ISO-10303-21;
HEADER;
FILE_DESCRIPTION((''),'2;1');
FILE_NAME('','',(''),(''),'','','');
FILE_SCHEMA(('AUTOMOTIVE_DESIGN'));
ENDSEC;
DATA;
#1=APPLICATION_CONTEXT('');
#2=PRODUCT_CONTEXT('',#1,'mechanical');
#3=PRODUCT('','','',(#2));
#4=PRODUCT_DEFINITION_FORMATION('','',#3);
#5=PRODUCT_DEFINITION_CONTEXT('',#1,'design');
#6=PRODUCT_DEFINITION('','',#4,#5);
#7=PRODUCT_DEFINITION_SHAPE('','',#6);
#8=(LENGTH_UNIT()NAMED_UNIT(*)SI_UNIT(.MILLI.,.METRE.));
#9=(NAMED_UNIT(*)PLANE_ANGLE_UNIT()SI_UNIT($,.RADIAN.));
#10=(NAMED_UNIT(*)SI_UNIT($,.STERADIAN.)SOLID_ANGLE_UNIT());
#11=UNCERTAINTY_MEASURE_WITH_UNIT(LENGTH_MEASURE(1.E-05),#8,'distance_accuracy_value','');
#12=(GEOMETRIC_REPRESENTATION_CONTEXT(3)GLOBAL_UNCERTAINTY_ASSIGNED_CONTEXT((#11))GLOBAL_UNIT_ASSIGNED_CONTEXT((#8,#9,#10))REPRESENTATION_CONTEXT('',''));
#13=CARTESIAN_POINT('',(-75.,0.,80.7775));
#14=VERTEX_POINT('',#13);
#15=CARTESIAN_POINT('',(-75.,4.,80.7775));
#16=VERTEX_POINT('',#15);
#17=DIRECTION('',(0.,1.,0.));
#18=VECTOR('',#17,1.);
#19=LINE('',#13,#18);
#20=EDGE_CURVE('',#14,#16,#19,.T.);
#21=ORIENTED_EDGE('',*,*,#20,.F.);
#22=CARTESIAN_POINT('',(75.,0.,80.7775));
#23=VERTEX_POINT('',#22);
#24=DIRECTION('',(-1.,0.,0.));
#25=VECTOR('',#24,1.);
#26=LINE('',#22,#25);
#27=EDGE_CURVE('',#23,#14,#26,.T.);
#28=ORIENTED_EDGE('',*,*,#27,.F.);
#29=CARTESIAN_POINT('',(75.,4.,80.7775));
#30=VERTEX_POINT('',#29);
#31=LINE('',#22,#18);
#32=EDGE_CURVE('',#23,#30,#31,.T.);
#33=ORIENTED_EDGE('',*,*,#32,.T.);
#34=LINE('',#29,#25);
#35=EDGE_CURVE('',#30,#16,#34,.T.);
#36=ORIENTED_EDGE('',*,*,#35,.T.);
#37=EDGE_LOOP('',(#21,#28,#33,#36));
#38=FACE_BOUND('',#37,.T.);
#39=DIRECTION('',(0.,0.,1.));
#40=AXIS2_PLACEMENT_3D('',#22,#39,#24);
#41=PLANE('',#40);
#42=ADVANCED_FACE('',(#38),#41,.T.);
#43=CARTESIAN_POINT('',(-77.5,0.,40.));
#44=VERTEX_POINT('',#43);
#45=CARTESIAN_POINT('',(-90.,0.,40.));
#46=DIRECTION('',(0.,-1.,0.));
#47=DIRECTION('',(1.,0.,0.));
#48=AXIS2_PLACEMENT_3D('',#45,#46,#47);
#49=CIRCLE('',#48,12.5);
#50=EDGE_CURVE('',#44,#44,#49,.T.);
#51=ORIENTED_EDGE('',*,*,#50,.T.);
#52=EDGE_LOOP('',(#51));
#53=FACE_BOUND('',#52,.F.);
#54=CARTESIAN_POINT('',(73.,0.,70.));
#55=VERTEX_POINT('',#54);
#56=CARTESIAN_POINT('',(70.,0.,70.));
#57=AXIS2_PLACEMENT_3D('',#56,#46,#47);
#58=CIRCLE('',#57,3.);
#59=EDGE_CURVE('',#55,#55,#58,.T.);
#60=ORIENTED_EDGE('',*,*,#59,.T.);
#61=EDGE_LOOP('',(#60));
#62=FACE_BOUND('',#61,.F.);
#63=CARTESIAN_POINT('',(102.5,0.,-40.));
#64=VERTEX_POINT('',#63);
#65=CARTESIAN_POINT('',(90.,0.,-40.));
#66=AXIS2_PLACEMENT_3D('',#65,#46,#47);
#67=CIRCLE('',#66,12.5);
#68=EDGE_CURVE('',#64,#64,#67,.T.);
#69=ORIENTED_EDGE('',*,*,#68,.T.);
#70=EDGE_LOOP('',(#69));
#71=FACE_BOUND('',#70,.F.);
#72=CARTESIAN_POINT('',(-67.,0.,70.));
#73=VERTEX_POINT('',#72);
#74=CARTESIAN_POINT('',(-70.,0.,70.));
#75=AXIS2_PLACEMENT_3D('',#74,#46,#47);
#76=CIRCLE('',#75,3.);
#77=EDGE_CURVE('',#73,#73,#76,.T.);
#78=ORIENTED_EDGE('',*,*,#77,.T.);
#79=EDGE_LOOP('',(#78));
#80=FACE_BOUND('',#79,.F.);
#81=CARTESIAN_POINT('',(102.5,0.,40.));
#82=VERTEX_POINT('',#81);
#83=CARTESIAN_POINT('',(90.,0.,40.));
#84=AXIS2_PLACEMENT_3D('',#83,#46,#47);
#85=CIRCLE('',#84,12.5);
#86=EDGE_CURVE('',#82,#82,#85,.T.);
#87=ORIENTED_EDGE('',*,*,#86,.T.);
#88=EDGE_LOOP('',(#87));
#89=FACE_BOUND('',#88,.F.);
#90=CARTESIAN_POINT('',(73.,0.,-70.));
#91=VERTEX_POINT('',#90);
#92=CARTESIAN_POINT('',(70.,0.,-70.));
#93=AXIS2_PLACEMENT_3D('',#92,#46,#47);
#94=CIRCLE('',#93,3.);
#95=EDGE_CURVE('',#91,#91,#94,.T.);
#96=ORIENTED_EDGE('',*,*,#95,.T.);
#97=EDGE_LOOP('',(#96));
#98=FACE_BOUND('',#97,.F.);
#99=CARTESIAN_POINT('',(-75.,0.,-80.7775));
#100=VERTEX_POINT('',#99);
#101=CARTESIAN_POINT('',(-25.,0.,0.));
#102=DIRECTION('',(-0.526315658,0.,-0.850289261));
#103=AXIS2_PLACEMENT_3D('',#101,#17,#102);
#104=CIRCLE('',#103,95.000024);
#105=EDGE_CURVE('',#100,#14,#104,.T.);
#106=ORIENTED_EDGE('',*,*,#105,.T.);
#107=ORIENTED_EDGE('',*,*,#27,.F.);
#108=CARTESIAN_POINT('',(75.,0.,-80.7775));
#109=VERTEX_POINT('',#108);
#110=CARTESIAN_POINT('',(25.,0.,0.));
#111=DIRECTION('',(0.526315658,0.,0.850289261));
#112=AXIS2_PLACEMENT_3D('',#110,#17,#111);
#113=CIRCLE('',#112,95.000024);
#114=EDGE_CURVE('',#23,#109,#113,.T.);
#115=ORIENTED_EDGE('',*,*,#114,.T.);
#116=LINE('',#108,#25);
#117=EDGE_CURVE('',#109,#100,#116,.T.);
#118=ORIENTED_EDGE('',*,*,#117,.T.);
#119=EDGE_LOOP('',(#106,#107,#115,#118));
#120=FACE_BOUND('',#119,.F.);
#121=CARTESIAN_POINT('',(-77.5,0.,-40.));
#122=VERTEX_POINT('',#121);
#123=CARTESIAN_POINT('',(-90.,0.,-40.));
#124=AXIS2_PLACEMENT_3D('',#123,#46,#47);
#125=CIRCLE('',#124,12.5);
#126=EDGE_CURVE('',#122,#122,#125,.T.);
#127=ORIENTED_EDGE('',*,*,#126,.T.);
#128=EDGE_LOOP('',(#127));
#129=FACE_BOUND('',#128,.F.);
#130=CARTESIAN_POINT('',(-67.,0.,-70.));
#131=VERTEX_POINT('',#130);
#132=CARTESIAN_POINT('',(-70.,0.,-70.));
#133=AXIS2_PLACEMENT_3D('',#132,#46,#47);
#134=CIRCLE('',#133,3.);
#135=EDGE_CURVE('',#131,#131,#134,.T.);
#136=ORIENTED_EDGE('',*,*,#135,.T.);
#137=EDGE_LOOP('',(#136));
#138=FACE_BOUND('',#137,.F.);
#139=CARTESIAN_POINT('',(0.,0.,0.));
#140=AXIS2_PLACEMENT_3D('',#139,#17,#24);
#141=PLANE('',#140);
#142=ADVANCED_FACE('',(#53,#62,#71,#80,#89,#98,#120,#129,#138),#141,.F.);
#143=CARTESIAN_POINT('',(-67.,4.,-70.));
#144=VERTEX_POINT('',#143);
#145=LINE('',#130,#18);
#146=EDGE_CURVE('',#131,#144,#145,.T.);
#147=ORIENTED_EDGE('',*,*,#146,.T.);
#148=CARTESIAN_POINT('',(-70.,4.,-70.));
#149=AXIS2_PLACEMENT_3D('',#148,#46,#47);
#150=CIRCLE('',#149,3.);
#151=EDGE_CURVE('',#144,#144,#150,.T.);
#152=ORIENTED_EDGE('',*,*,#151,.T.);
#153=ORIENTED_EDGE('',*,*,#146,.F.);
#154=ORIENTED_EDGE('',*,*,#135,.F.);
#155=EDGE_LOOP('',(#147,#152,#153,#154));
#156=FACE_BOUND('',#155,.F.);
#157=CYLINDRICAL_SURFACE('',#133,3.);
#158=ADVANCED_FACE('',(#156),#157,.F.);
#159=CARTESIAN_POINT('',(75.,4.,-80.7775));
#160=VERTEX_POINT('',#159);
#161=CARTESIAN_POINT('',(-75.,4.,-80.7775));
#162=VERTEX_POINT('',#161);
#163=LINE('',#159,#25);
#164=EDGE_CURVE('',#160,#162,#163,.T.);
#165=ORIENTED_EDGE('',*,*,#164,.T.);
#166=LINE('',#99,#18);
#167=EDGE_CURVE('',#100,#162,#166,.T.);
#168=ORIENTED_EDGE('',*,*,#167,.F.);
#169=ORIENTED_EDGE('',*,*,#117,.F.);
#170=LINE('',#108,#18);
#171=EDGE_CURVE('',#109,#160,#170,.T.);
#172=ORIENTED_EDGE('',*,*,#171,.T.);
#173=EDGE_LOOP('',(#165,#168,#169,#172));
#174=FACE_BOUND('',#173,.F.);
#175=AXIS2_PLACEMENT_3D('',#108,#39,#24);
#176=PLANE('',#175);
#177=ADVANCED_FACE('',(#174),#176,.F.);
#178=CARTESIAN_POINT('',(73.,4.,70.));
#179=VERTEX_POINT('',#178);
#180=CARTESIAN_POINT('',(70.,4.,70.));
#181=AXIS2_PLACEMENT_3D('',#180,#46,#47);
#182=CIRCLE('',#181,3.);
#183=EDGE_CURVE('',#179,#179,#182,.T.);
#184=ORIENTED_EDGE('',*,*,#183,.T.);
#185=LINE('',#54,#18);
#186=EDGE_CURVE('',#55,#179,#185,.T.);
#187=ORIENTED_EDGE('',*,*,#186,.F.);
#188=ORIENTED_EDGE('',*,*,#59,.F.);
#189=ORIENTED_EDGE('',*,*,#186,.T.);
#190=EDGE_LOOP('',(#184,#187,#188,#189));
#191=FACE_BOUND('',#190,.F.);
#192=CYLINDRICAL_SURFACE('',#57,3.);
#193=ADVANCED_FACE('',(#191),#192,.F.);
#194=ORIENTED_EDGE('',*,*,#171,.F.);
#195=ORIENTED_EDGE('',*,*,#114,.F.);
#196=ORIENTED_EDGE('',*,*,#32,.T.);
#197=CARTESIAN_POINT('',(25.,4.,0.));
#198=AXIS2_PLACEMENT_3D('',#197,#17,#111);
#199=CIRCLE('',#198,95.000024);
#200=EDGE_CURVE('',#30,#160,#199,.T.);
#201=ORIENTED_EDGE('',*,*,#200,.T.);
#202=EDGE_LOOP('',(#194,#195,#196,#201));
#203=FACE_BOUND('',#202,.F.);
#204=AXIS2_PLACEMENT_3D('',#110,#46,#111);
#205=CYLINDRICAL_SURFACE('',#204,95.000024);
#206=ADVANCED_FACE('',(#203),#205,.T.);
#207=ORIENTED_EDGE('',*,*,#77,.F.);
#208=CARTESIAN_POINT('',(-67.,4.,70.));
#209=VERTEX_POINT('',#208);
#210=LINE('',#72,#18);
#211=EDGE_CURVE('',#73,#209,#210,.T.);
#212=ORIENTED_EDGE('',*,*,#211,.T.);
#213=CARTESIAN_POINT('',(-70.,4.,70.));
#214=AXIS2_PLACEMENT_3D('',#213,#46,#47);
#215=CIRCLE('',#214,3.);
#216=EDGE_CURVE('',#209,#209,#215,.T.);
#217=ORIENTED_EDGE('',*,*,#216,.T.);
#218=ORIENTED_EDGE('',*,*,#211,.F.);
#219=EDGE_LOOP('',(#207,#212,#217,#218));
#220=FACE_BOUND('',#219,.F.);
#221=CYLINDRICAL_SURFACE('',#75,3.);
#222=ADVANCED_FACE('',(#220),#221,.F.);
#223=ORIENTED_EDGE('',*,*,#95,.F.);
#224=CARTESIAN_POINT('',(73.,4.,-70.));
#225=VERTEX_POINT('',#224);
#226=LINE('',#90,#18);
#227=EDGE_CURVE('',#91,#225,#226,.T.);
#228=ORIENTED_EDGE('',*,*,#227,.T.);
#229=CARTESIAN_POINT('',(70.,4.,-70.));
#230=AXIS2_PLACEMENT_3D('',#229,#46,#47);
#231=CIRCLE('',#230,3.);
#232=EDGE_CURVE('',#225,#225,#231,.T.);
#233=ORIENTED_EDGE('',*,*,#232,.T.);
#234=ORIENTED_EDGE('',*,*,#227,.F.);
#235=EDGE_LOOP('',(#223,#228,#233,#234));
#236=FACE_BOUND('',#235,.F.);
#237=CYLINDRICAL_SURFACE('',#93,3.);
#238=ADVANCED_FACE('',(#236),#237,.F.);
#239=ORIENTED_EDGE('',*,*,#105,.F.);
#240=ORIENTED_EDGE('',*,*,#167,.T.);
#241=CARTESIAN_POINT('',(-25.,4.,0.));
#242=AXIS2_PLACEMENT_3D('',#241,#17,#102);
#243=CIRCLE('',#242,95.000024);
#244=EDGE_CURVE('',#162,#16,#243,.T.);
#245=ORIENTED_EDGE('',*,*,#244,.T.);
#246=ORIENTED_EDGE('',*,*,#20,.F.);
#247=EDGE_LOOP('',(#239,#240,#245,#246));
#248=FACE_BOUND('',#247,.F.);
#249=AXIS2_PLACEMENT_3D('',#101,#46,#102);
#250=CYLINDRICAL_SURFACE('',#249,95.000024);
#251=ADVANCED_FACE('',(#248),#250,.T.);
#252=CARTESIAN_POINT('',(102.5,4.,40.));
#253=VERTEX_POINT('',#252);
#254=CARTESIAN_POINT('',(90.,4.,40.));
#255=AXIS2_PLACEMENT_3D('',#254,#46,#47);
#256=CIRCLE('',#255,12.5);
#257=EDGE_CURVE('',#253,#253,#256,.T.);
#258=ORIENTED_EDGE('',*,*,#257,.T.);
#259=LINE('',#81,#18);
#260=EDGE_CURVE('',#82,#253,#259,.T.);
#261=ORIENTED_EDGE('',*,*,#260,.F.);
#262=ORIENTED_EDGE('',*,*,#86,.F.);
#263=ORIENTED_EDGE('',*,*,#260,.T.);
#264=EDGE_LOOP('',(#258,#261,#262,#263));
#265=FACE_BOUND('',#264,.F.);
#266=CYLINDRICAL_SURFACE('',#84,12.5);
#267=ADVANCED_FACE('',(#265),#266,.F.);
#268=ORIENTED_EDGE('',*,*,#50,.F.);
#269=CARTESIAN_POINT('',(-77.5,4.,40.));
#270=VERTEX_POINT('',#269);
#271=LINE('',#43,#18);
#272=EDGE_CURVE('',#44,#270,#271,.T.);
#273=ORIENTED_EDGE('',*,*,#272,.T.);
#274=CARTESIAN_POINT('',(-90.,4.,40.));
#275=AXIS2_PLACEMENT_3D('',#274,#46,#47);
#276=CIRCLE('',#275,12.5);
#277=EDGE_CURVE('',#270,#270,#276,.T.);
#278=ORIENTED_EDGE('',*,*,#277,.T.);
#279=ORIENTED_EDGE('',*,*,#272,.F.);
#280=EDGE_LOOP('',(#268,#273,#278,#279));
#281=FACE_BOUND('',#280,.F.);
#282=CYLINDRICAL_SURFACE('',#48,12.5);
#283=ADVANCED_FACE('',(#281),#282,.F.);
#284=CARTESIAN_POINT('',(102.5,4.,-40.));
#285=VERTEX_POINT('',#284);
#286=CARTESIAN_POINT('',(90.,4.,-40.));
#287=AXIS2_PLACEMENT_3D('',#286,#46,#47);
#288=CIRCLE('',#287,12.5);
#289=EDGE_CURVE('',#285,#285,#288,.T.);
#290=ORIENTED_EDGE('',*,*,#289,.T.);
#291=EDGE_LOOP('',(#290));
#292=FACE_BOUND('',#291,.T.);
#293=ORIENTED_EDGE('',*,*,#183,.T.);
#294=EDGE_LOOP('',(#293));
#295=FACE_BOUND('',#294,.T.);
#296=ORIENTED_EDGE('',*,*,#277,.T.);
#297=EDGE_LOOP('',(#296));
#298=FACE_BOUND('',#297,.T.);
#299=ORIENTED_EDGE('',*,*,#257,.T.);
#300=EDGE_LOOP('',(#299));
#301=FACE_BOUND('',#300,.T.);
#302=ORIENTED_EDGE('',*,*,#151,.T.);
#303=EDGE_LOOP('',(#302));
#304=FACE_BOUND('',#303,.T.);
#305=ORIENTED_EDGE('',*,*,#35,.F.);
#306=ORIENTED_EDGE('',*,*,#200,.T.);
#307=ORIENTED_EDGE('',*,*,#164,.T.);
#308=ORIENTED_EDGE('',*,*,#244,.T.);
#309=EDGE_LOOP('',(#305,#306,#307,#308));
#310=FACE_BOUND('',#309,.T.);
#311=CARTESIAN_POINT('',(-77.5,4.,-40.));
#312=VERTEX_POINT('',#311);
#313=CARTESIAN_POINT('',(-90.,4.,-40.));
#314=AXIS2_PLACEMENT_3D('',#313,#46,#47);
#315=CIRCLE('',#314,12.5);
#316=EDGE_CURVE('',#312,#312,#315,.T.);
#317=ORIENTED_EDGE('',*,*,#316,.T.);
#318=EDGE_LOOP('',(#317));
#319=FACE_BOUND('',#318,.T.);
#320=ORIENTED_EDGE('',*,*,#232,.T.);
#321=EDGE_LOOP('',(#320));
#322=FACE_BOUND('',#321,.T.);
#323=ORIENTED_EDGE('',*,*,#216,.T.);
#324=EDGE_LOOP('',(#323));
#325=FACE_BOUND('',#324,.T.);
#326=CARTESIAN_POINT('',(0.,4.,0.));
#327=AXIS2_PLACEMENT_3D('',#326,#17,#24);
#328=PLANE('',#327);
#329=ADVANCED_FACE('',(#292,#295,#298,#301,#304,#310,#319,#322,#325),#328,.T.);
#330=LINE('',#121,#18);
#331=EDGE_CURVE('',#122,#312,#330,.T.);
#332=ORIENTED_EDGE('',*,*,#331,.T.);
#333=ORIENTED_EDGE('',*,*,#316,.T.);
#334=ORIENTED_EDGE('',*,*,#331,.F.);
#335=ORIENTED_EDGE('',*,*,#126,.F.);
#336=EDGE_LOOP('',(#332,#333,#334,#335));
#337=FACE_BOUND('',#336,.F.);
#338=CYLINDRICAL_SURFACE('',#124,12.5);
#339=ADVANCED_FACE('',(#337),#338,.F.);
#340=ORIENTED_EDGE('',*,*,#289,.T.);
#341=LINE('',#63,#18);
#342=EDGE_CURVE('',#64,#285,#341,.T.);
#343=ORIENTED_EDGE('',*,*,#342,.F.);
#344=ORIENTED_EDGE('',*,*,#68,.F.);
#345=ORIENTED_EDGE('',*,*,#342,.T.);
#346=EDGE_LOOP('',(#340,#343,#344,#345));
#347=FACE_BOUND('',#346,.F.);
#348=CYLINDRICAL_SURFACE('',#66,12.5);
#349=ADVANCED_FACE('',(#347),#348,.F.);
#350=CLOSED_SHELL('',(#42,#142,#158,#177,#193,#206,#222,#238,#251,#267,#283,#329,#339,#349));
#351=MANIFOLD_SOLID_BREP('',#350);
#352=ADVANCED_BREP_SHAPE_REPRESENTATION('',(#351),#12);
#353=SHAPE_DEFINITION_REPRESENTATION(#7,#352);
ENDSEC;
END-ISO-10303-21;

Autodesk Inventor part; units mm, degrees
ref_plane "YZ Plane" through (0, 0, 0) normal (1, 0, 0) x (0, 1, 0)
ref_plane "XZ Plane" through (0, 0, 0) normal (0, 1, 0) x (-1, 0, 0)
ref_plane "XY Plane" through (0, 0, 0) normal (0, 0, 1) x (1, 0, 0)
sketch "Esquisse1" plane through (0, 0, 0) normal (0, 1, 0) x (-1, 0, 0)
  circle A0 centre (0, 0) radius 25 construction
  line L0 (-25, 0) -> (25, 0) construction
  arc A1 (-75, -80.7775) -> (-75, 80.7775) centre (-25, 0) ccw construction
  arc A2 (75, 80.7775) -> (75, -80.7775) centre (25, 0) ccw construction
  line L1 (0, 25) -> (0, 0) construction
  line L2 (-75, 80.7775) -> (75, 80.7775)
  line L3 (-75, -80.7775) -> (75, -80.7775)
  arc A3 (75, -80.7775) -> (75, 80.7775) centre (25, 0) ccw
  arc A4 (-75, 80.7775) -> (-75, -80.7775) centre (-25, 0) ccw
  dimension "d0" = 50
  dimension "d1" = 190
  dimension "d2" = 150
extrude "Extrusion1" add sketch "Esquisse1" along normal blind 4
sketch "Esquisse16" plane through (0, 0, 0) normal (0, -1, 0) x (1, 0, 0)
  line L0 (-70, 70) -> (70, 70) construction
  line L1 (70, 70) -> (70, -70) construction
  line L2 (70, -70) -> (-70, -70) construction
  line L3 (-70, -70) -> (-70, 70) construction
  circle A0 centre (70, 70) radius 3
  circle A1 centre (-70, 70) radius 3
  circle A2 centre (-70, -70) radius 3
  circle A3 centre (70, -70) radius 3
  point P0 (0, 0)
  dimension "d146" = 140
  dimension "d147" = 140
  dimension "d148" = 6
  dimension "d149" = 6
  dimension "d150" = 6
  dimension "d151" = 6
  dimension "d152" = 70
  dimension "d153" = 70
extrude "Extrusion13" cut sketch "Esquisse16" against normal through all
sketch "Esquisse18" plane through (0, 0, 0) normal (0, -1, 0) x (1, 0, 0)
  line L0 (-90, 40) -> (90, 40) construction
  line L1 (90, 40) -> (90, -40) construction
  line L2 (90, -40) -> (-90, -40) construction
  line L3 (-90, -40) -> (-90, 40) construction
  circle A0 centre (-90, 40) radius 12.5
  circle A1 centre (90, 40) radius 12.5
  circle A2 centre (90, -40) radius 12.5
  circle A3 centre (-90, -40) radius 12.5
  point P0 (0, 0)
  dimension "d170" = 180
  dimension "d171" = 90
  dimension "d172" = 80
  dimension "d173" = 40
  dimension "d174" = 25
  dimension "d175" = 25
  dimension "d176" = 25
  dimension "d177" = 25
extrude "Extrusion15" cut sketch "Esquisse18" against normal through all
properties part number "base"
